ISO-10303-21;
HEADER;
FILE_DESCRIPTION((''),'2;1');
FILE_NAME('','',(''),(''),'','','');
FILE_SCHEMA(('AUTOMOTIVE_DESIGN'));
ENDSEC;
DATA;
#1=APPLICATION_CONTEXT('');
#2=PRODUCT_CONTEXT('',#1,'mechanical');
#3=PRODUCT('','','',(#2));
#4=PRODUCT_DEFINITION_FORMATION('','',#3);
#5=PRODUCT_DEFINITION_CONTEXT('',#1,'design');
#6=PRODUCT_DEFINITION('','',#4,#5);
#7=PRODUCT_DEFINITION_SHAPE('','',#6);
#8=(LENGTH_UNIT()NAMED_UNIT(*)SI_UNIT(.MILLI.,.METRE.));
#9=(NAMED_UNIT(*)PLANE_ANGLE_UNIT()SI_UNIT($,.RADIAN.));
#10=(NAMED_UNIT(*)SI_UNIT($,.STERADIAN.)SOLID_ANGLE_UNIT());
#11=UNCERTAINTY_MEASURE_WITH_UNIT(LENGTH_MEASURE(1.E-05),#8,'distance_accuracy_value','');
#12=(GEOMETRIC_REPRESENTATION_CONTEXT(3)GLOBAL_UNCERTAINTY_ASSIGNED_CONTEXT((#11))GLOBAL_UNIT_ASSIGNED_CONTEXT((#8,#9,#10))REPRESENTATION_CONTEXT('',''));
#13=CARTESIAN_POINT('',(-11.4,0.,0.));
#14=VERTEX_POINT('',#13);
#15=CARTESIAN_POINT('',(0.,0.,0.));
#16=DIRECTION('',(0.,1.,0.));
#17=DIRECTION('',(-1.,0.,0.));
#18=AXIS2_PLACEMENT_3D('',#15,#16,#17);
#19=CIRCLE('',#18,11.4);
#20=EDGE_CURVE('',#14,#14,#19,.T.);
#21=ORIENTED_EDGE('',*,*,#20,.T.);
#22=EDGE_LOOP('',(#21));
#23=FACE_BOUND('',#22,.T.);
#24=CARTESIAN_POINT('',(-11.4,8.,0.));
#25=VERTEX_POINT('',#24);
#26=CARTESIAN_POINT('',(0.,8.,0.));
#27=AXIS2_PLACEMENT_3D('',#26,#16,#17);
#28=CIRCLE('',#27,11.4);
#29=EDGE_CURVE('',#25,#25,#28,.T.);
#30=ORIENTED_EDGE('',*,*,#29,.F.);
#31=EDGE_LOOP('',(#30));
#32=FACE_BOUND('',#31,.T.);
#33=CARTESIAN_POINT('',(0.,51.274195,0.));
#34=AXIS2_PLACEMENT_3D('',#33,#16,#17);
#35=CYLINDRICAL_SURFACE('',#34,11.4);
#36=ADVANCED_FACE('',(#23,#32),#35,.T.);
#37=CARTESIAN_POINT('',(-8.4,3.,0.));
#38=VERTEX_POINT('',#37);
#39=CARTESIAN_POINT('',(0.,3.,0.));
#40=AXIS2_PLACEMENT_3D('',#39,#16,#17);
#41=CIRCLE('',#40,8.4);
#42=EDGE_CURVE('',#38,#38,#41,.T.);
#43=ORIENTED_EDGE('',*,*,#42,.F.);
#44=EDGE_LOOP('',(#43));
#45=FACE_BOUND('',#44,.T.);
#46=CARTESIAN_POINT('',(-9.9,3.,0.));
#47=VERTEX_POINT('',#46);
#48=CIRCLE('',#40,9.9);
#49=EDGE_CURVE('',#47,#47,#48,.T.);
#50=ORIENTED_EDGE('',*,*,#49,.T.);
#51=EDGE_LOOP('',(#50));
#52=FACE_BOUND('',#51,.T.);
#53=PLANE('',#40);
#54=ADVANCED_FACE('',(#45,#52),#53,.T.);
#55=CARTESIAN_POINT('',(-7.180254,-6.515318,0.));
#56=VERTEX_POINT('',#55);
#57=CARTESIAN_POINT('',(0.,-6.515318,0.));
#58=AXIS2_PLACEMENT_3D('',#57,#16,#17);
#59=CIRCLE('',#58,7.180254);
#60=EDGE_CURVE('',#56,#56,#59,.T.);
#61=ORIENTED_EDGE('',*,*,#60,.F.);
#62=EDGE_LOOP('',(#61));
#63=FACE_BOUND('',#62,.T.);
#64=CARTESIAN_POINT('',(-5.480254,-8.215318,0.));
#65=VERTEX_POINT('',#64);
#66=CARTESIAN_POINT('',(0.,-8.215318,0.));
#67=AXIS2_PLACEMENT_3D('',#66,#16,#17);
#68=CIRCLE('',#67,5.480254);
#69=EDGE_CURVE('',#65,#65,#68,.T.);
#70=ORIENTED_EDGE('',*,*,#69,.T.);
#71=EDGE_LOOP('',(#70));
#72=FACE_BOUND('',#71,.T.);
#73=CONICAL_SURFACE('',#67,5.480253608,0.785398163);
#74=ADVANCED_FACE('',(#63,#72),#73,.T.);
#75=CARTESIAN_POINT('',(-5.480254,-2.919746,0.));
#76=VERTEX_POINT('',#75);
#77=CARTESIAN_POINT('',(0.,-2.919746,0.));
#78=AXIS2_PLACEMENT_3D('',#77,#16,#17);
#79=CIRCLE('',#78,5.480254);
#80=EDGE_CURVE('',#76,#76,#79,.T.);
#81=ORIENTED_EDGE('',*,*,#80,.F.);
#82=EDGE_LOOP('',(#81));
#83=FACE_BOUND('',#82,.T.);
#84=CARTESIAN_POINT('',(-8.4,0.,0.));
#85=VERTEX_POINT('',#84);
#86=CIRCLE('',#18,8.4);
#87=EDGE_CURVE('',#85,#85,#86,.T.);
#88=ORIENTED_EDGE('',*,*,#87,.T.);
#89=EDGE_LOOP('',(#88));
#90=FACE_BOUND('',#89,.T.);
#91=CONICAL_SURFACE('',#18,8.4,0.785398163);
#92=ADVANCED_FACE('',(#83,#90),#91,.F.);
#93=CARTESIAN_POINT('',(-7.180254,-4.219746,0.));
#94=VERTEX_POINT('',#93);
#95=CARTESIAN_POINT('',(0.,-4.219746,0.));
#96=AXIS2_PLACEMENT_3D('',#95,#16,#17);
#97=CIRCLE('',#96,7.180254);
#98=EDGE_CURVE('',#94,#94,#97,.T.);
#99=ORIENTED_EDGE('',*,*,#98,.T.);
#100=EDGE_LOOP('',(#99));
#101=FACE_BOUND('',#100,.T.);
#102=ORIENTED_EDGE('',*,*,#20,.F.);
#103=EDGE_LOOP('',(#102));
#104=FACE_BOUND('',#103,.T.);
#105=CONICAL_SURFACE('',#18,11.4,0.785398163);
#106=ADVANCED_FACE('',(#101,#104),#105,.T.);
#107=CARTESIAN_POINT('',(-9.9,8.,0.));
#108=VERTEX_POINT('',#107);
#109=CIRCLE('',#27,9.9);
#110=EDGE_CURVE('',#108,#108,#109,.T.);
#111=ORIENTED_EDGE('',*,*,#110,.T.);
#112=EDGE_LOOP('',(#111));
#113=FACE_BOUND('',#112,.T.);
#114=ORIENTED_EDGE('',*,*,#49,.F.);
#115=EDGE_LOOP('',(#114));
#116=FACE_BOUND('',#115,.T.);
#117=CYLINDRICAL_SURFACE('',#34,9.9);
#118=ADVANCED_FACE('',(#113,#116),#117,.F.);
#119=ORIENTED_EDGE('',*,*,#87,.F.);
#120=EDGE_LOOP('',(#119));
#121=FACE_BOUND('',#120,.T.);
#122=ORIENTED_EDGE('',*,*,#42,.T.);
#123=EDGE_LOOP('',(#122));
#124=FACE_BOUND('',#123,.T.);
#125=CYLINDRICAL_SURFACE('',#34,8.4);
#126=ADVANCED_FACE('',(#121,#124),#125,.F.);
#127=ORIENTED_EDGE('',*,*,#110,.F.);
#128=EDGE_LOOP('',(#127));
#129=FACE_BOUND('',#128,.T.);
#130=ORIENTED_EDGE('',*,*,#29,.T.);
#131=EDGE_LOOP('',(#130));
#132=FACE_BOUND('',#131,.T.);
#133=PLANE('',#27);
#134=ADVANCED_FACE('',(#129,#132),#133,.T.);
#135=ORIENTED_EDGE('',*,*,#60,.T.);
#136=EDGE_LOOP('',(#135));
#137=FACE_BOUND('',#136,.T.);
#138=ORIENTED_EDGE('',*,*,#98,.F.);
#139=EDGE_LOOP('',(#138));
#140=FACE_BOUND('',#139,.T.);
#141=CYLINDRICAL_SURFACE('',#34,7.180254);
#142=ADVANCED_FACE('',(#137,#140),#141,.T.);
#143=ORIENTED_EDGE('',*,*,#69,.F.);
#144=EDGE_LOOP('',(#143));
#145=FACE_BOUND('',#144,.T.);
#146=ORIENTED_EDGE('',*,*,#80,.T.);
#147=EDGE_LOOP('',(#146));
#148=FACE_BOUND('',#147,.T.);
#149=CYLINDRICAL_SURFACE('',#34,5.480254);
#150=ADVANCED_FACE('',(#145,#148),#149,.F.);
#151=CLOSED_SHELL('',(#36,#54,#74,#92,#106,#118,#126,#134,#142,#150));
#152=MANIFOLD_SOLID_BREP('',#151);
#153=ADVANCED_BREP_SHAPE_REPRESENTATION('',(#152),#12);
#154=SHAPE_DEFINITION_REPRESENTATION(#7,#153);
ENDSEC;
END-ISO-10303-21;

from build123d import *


with BuildPart() as part:
    # Sketch1 → Revolve1 (revolve)
    with BuildSketch(Plane.XY, mode=Mode.PRIVATE) as revolve1_sk:
        Polygon((5.480253608, -2.919746392), (5.480253608, -8.215318278), (7.180253608, -6.515318278), (7.180253608, -4.219746392), (11.4, 0), (11.4, 8), (9.9, 8), (9.9, 3), (8.4, 3), (8.4, 0), align=None)
    revolve(revolve1_sk.sketch.rotate(Axis((0, 51.27419464, 0), (0, -1, 0)), 180), axis=Axis((0, 51.27419464, 0), (0, -1, 0)))


solid = part.part
